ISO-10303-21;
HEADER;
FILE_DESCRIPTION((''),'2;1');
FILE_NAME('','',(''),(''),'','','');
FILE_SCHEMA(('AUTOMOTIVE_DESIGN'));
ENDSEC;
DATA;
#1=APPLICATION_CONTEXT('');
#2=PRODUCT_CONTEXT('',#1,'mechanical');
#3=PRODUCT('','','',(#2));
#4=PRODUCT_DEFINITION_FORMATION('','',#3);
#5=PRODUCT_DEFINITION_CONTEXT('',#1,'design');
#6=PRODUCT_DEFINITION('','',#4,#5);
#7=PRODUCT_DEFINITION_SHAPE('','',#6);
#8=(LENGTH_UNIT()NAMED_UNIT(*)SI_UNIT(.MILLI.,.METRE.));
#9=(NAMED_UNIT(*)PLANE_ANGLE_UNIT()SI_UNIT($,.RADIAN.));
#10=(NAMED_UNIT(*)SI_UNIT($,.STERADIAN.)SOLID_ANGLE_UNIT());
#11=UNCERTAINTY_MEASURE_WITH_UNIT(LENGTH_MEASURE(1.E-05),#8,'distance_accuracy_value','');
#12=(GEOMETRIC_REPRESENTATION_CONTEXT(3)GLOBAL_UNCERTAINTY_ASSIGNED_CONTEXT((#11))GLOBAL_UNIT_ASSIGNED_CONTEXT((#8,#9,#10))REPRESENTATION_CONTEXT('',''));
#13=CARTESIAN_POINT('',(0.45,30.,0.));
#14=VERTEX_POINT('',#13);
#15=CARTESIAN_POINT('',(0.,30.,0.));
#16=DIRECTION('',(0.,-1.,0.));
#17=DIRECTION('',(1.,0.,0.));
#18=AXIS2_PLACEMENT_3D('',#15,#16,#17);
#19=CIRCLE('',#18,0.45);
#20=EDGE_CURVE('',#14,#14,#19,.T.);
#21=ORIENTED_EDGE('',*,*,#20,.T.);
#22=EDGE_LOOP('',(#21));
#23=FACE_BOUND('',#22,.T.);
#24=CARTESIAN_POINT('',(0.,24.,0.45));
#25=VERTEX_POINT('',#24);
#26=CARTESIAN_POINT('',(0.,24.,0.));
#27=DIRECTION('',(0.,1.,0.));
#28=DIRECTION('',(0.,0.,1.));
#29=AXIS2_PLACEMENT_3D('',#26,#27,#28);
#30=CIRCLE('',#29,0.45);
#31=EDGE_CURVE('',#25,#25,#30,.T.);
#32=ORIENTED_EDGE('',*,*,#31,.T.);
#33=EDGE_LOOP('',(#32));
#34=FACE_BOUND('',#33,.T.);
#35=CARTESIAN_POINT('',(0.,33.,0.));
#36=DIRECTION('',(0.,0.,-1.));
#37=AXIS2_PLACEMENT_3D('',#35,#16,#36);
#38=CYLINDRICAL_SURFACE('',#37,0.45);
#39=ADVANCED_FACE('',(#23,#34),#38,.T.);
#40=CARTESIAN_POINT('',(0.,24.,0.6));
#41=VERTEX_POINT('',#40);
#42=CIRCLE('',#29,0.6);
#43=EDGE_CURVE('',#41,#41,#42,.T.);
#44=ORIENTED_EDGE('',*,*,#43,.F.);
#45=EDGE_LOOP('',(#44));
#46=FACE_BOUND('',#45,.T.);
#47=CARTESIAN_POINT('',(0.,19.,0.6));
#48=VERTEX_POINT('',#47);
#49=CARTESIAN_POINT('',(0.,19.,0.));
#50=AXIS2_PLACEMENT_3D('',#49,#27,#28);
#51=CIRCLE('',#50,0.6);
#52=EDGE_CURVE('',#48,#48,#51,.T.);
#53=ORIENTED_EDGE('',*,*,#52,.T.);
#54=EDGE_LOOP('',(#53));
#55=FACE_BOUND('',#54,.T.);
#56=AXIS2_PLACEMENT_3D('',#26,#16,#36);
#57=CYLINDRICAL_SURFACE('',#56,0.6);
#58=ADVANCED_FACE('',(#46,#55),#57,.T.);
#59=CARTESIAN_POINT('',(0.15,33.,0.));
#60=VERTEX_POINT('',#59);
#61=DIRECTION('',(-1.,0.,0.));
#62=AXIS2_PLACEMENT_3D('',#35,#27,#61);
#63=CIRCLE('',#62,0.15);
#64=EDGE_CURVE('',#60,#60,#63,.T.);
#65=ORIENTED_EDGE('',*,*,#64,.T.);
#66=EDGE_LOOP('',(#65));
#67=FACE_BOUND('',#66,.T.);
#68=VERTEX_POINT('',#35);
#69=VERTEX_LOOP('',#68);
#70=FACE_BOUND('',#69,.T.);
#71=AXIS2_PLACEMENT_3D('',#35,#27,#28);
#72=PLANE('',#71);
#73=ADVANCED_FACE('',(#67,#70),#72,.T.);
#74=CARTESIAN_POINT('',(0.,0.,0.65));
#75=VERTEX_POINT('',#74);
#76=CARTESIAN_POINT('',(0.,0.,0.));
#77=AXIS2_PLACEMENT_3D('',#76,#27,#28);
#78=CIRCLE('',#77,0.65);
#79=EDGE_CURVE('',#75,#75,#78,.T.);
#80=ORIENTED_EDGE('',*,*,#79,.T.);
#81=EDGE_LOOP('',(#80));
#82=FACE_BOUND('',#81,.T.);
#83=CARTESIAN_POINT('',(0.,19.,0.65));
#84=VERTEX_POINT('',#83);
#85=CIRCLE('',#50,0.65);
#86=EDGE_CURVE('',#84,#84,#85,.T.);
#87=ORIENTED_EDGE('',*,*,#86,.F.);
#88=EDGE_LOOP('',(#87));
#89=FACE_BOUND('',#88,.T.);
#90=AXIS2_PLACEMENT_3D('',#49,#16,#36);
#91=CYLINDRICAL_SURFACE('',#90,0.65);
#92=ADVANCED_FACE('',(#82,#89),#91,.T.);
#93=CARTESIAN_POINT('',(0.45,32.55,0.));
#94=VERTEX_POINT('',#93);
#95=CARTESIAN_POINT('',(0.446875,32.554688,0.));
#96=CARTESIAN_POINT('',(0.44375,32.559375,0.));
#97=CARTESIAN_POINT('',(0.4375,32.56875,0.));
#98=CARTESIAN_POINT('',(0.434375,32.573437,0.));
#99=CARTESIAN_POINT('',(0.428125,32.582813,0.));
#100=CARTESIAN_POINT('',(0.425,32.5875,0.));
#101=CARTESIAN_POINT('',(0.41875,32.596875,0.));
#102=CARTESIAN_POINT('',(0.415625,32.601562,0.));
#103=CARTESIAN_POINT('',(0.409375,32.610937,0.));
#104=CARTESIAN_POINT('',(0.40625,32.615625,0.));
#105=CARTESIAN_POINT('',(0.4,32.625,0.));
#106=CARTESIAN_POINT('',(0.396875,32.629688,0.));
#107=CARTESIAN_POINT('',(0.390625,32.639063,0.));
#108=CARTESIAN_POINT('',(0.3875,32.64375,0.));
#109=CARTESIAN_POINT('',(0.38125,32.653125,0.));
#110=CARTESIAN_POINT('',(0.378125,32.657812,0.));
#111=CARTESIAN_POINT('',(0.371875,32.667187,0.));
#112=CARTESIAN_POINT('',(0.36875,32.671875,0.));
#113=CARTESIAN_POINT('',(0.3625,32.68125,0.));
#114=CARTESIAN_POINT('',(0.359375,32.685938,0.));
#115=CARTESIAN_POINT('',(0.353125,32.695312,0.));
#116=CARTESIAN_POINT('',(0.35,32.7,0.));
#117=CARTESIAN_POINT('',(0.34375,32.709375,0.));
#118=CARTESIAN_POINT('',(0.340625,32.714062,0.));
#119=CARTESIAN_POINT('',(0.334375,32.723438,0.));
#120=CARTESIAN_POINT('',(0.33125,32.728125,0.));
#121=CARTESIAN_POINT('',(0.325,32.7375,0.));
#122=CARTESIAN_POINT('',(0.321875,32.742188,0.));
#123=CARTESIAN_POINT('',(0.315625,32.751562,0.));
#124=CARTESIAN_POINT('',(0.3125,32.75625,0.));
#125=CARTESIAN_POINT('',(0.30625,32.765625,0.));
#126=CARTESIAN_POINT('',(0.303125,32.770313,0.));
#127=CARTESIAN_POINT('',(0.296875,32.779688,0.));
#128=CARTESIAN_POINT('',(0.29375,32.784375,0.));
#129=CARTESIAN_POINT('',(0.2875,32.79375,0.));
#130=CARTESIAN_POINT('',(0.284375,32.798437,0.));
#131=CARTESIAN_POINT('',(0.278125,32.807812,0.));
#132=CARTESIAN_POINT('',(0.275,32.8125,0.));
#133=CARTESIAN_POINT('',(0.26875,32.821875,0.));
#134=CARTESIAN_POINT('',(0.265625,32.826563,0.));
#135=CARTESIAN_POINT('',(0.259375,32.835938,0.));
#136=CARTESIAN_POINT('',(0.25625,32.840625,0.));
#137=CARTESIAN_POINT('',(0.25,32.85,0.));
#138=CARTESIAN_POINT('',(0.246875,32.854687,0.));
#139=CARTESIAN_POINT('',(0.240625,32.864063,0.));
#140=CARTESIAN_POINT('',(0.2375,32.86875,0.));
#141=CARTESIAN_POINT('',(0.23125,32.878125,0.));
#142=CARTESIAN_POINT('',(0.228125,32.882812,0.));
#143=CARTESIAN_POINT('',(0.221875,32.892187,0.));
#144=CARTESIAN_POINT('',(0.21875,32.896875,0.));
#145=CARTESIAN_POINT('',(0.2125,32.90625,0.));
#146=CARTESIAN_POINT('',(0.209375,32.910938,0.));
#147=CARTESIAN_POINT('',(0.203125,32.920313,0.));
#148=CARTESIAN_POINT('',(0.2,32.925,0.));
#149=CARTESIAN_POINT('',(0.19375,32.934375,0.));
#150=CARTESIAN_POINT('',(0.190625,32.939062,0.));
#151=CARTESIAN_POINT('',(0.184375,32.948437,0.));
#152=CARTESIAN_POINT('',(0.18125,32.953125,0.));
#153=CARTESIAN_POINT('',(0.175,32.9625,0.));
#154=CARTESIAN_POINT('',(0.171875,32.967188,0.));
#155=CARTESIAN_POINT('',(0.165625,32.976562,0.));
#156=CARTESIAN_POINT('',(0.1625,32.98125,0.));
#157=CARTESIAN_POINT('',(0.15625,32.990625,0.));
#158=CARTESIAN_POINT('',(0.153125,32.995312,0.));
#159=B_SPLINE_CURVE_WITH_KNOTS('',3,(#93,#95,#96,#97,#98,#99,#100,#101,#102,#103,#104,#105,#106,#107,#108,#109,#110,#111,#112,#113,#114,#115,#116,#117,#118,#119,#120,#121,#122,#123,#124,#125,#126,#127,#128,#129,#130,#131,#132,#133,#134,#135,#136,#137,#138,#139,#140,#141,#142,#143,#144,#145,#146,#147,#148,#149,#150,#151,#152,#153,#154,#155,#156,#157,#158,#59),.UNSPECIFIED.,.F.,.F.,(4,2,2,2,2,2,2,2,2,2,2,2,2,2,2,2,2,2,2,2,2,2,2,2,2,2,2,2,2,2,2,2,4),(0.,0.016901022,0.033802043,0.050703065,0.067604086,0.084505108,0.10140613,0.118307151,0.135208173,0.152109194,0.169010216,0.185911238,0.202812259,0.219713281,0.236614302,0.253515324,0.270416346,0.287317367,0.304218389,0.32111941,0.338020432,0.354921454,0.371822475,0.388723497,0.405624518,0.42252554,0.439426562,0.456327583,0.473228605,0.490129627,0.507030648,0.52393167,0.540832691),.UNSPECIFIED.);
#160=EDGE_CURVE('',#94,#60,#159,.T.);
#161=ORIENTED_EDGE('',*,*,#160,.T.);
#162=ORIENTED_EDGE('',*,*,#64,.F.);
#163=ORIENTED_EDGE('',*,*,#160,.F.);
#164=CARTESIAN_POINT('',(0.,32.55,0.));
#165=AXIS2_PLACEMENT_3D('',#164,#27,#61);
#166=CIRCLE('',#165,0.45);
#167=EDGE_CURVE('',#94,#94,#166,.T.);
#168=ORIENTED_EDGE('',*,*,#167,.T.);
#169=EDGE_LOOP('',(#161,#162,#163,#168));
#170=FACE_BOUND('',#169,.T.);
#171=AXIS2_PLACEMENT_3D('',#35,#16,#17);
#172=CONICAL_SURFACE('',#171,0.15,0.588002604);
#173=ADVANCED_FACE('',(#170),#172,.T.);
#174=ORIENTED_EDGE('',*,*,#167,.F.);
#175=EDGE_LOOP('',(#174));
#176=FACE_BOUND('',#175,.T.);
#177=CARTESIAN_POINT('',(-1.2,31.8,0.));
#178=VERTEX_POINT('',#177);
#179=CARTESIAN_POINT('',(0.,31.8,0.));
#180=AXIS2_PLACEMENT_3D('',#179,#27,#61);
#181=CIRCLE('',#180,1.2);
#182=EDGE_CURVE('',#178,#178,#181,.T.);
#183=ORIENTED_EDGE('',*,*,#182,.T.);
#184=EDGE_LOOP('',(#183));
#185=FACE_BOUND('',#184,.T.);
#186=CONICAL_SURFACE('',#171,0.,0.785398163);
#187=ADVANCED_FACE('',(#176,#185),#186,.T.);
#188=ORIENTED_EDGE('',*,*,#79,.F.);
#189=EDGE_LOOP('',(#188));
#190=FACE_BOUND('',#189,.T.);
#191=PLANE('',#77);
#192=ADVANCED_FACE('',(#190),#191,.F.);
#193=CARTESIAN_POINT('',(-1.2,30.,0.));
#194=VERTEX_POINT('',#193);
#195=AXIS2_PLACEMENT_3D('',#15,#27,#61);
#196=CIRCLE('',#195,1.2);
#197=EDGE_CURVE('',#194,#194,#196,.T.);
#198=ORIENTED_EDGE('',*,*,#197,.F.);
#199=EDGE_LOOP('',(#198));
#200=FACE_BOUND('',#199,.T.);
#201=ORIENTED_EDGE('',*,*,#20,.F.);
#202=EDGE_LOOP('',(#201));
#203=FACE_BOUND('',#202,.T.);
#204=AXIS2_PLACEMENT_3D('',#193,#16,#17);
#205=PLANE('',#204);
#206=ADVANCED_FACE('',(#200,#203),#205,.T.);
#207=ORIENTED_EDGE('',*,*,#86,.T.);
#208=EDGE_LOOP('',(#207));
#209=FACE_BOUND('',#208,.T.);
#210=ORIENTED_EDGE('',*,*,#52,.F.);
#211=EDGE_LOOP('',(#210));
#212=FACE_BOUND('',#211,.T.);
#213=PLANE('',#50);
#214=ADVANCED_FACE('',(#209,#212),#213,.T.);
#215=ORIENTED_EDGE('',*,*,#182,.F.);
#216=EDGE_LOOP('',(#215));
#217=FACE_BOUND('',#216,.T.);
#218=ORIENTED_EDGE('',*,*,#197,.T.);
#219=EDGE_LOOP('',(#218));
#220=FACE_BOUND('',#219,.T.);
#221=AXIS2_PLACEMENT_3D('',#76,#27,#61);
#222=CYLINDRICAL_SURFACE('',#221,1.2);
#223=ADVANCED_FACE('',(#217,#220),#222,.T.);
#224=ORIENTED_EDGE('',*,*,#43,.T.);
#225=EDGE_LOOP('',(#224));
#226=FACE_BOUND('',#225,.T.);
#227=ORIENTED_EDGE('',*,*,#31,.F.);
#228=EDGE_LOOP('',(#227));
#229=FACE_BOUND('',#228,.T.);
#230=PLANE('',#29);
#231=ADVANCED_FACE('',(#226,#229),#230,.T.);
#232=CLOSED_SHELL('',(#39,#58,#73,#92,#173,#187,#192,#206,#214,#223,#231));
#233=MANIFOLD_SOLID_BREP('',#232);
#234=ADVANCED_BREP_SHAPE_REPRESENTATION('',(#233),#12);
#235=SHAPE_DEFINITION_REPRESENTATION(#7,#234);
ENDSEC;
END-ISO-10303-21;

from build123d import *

# Parameters (mm, degrees)
SKETCH_1_R      = 0.65
EXTRUDE_1_DEPTH = 19
SKETCH_2_R      = 0.6
EXTRUDE_2_DEPTH = 5
SKETCH_3_R      = 0.45
EXTRUDE_3_DEPTH = 9


with BuildPart() as part:
    # 草图1 → 凸台-拉伸1 (new body)
    with BuildSketch(Plane(origin=(0, 0, 0), x_dir=(1, 0, 0), z_dir=(0, 1, 0))):
        with Locations(Location((0, 0, 0), (0, 0, 270))):
            Circle(SKETCH_1_R)
    extrude(amount=EXTRUDE_1_DEPTH)

    # 草图2 → 凸台-拉伸2 (add)
    with BuildSketch(Plane(origin=(0, 19, 0), x_dir=(1, 0, 0), z_dir=(0, 1, 0))):
        with Locations(Location((0, 0, 0), (0, 0, 270))):
            Circle(SKETCH_2_R)
    extrude(amount=EXTRUDE_2_DEPTH)

    # 草图3 → 凸台-拉伸3 (add)
    with BuildSketch(Plane(origin=(0, 24, 0), x_dir=(1, 0, 0), z_dir=(0, 1, 0))):
        with Locations(Location((0, 0, 0), (0, 0, 270))):
            Circle(SKETCH_3_R)
    extrude(amount=EXTRUDE_3_DEPTH)

    # 草图6 → 旋转2 (revolve)
    with BuildSketch(Plane.XY, mode=Mode.PRIVATE) as revolve_2_sk:
        Polygon((0, 33), (-1.2, 31.8), (-1.2, 30), (0, 30), align=None)
    revolve(revolve_2_sk.sketch.rotate(Axis((0, 0, 0), (0, -1, 0)), 180), axis=Axis((0, 0, 0), (0, -1, 0)))

    # 草图7 → 切除-旋转5 (revolve, cut)
    with BuildSketch(Plane.XY):
        Polygon((0.45, 33), (0.15, 33), (0.45, 32.55), align=None)
    revolve(axis=Axis((0, 0, 0), (0, -1, 0)), mode=Mode.SUBTRACT)


solid = part.part
